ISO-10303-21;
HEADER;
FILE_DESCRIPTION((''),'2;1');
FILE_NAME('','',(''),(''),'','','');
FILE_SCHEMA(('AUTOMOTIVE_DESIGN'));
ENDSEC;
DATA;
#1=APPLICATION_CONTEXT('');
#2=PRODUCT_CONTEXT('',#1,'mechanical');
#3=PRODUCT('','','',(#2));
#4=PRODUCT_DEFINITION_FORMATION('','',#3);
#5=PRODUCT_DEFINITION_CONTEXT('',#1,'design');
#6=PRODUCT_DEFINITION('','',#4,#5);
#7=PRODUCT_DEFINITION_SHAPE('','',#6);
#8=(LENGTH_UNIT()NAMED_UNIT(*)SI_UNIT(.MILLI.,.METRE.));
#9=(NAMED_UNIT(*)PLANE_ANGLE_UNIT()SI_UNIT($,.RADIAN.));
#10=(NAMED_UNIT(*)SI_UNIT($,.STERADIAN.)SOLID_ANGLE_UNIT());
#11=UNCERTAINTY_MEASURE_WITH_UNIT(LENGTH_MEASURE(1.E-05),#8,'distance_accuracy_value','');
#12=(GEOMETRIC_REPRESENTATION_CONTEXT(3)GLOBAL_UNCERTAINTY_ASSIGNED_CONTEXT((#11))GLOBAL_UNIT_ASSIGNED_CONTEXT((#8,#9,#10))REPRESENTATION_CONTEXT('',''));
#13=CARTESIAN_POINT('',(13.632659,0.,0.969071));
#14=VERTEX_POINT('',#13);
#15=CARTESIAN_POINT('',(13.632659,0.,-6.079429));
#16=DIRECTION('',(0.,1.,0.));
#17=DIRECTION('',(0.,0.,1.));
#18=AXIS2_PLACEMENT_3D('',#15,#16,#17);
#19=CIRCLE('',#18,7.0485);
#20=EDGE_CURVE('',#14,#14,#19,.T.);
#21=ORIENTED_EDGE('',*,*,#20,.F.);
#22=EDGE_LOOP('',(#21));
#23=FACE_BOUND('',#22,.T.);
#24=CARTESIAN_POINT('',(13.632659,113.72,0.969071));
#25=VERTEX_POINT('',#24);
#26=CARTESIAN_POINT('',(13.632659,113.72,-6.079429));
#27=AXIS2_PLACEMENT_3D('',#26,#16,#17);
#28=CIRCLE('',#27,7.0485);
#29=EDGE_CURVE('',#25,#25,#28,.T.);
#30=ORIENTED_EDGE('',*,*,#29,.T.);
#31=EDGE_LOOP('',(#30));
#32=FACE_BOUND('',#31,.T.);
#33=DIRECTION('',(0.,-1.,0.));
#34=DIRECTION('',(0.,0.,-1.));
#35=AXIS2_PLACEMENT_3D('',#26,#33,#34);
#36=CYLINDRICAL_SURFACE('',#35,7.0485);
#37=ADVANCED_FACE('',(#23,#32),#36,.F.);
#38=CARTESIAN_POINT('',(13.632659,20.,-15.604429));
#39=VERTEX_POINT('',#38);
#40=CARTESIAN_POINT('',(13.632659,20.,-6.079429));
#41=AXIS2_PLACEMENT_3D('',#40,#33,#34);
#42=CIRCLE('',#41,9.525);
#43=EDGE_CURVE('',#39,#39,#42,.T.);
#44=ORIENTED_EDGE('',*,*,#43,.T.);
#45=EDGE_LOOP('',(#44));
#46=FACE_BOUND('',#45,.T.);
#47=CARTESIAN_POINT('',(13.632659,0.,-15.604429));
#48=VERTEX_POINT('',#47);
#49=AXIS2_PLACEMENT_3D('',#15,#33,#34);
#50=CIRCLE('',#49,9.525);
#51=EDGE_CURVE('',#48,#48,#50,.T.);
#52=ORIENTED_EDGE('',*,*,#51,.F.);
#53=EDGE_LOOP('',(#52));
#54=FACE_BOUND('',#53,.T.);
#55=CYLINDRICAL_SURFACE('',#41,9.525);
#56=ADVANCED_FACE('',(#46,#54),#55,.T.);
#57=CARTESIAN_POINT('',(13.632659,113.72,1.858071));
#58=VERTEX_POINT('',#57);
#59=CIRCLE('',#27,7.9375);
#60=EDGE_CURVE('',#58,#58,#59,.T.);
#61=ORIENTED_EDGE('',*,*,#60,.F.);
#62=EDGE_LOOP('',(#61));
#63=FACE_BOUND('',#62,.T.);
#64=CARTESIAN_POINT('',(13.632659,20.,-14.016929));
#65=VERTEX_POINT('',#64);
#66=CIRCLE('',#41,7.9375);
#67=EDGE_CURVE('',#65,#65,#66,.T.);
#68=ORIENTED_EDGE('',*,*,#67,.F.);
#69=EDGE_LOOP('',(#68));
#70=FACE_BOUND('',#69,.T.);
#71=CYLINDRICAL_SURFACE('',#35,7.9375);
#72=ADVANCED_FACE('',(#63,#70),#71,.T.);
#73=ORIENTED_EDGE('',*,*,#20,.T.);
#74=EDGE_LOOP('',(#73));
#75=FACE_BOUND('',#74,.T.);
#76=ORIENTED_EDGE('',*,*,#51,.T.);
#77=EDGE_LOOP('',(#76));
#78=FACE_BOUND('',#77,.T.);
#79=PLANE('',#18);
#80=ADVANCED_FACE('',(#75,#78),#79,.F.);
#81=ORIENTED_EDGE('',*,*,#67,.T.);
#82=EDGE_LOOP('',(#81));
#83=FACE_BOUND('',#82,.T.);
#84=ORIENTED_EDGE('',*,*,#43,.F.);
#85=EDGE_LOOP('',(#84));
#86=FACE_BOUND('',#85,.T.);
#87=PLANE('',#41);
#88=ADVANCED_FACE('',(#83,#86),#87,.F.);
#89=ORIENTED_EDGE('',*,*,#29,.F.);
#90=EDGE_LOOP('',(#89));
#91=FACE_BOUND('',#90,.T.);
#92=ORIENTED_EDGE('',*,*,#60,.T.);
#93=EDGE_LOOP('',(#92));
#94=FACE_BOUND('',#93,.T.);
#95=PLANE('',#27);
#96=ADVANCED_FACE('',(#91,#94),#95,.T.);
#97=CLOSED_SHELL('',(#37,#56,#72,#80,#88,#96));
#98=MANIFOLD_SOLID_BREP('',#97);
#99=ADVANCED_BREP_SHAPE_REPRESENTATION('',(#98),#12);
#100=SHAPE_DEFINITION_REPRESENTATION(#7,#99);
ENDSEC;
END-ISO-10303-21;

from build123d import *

# Parameters (mm, degrees)
SKETCH1_R           = 7.9375
SKETCH1_R_2         = 7.0485
BOSS_EXTRUDE1_DEPTH = 113.72
SKETCH2_R           = 9.525
SKETCH2_R_2         = 7.9375
BOSS_EXTRUDE2_DEPTH = 20


with BuildPart() as part:
    # Sketch1 → Boss-Extrude1 (new body)
    with BuildSketch(Plane(origin=(0, 0, 0), x_dir=(1, 0, 0), z_dir=(0, 1, 0))):
        with Locations(Location((13.632659162, 6.079429086, 0), (0, 0, 270))):
            Circle(SKETCH1_R)
        with Locations(Location((13.632659162, 6.079429086, 0), (0, 0, 270))):
            Circle(SKETCH1_R_2, mode=Mode.SUBTRACT)
    extrude(amount=BOSS_EXTRUDE1_DEPTH)

    # Sketch2 → Boss-Extrude2 (add)
    with BuildSketch(Plane.XZ):
        with Locations(Location((13.632659162, -6.079429086, 0), (0, 0, 270))):
            Circle(SKETCH2_R)
        with Locations(Location((13.632659162, -6.079429086, 0), (0, 0, 270))):
            Circle(SKETCH2_R_2, mode=Mode.SUBTRACT)
    extrude(amount=-BOSS_EXTRUDE2_DEPTH)


solid = part.part
